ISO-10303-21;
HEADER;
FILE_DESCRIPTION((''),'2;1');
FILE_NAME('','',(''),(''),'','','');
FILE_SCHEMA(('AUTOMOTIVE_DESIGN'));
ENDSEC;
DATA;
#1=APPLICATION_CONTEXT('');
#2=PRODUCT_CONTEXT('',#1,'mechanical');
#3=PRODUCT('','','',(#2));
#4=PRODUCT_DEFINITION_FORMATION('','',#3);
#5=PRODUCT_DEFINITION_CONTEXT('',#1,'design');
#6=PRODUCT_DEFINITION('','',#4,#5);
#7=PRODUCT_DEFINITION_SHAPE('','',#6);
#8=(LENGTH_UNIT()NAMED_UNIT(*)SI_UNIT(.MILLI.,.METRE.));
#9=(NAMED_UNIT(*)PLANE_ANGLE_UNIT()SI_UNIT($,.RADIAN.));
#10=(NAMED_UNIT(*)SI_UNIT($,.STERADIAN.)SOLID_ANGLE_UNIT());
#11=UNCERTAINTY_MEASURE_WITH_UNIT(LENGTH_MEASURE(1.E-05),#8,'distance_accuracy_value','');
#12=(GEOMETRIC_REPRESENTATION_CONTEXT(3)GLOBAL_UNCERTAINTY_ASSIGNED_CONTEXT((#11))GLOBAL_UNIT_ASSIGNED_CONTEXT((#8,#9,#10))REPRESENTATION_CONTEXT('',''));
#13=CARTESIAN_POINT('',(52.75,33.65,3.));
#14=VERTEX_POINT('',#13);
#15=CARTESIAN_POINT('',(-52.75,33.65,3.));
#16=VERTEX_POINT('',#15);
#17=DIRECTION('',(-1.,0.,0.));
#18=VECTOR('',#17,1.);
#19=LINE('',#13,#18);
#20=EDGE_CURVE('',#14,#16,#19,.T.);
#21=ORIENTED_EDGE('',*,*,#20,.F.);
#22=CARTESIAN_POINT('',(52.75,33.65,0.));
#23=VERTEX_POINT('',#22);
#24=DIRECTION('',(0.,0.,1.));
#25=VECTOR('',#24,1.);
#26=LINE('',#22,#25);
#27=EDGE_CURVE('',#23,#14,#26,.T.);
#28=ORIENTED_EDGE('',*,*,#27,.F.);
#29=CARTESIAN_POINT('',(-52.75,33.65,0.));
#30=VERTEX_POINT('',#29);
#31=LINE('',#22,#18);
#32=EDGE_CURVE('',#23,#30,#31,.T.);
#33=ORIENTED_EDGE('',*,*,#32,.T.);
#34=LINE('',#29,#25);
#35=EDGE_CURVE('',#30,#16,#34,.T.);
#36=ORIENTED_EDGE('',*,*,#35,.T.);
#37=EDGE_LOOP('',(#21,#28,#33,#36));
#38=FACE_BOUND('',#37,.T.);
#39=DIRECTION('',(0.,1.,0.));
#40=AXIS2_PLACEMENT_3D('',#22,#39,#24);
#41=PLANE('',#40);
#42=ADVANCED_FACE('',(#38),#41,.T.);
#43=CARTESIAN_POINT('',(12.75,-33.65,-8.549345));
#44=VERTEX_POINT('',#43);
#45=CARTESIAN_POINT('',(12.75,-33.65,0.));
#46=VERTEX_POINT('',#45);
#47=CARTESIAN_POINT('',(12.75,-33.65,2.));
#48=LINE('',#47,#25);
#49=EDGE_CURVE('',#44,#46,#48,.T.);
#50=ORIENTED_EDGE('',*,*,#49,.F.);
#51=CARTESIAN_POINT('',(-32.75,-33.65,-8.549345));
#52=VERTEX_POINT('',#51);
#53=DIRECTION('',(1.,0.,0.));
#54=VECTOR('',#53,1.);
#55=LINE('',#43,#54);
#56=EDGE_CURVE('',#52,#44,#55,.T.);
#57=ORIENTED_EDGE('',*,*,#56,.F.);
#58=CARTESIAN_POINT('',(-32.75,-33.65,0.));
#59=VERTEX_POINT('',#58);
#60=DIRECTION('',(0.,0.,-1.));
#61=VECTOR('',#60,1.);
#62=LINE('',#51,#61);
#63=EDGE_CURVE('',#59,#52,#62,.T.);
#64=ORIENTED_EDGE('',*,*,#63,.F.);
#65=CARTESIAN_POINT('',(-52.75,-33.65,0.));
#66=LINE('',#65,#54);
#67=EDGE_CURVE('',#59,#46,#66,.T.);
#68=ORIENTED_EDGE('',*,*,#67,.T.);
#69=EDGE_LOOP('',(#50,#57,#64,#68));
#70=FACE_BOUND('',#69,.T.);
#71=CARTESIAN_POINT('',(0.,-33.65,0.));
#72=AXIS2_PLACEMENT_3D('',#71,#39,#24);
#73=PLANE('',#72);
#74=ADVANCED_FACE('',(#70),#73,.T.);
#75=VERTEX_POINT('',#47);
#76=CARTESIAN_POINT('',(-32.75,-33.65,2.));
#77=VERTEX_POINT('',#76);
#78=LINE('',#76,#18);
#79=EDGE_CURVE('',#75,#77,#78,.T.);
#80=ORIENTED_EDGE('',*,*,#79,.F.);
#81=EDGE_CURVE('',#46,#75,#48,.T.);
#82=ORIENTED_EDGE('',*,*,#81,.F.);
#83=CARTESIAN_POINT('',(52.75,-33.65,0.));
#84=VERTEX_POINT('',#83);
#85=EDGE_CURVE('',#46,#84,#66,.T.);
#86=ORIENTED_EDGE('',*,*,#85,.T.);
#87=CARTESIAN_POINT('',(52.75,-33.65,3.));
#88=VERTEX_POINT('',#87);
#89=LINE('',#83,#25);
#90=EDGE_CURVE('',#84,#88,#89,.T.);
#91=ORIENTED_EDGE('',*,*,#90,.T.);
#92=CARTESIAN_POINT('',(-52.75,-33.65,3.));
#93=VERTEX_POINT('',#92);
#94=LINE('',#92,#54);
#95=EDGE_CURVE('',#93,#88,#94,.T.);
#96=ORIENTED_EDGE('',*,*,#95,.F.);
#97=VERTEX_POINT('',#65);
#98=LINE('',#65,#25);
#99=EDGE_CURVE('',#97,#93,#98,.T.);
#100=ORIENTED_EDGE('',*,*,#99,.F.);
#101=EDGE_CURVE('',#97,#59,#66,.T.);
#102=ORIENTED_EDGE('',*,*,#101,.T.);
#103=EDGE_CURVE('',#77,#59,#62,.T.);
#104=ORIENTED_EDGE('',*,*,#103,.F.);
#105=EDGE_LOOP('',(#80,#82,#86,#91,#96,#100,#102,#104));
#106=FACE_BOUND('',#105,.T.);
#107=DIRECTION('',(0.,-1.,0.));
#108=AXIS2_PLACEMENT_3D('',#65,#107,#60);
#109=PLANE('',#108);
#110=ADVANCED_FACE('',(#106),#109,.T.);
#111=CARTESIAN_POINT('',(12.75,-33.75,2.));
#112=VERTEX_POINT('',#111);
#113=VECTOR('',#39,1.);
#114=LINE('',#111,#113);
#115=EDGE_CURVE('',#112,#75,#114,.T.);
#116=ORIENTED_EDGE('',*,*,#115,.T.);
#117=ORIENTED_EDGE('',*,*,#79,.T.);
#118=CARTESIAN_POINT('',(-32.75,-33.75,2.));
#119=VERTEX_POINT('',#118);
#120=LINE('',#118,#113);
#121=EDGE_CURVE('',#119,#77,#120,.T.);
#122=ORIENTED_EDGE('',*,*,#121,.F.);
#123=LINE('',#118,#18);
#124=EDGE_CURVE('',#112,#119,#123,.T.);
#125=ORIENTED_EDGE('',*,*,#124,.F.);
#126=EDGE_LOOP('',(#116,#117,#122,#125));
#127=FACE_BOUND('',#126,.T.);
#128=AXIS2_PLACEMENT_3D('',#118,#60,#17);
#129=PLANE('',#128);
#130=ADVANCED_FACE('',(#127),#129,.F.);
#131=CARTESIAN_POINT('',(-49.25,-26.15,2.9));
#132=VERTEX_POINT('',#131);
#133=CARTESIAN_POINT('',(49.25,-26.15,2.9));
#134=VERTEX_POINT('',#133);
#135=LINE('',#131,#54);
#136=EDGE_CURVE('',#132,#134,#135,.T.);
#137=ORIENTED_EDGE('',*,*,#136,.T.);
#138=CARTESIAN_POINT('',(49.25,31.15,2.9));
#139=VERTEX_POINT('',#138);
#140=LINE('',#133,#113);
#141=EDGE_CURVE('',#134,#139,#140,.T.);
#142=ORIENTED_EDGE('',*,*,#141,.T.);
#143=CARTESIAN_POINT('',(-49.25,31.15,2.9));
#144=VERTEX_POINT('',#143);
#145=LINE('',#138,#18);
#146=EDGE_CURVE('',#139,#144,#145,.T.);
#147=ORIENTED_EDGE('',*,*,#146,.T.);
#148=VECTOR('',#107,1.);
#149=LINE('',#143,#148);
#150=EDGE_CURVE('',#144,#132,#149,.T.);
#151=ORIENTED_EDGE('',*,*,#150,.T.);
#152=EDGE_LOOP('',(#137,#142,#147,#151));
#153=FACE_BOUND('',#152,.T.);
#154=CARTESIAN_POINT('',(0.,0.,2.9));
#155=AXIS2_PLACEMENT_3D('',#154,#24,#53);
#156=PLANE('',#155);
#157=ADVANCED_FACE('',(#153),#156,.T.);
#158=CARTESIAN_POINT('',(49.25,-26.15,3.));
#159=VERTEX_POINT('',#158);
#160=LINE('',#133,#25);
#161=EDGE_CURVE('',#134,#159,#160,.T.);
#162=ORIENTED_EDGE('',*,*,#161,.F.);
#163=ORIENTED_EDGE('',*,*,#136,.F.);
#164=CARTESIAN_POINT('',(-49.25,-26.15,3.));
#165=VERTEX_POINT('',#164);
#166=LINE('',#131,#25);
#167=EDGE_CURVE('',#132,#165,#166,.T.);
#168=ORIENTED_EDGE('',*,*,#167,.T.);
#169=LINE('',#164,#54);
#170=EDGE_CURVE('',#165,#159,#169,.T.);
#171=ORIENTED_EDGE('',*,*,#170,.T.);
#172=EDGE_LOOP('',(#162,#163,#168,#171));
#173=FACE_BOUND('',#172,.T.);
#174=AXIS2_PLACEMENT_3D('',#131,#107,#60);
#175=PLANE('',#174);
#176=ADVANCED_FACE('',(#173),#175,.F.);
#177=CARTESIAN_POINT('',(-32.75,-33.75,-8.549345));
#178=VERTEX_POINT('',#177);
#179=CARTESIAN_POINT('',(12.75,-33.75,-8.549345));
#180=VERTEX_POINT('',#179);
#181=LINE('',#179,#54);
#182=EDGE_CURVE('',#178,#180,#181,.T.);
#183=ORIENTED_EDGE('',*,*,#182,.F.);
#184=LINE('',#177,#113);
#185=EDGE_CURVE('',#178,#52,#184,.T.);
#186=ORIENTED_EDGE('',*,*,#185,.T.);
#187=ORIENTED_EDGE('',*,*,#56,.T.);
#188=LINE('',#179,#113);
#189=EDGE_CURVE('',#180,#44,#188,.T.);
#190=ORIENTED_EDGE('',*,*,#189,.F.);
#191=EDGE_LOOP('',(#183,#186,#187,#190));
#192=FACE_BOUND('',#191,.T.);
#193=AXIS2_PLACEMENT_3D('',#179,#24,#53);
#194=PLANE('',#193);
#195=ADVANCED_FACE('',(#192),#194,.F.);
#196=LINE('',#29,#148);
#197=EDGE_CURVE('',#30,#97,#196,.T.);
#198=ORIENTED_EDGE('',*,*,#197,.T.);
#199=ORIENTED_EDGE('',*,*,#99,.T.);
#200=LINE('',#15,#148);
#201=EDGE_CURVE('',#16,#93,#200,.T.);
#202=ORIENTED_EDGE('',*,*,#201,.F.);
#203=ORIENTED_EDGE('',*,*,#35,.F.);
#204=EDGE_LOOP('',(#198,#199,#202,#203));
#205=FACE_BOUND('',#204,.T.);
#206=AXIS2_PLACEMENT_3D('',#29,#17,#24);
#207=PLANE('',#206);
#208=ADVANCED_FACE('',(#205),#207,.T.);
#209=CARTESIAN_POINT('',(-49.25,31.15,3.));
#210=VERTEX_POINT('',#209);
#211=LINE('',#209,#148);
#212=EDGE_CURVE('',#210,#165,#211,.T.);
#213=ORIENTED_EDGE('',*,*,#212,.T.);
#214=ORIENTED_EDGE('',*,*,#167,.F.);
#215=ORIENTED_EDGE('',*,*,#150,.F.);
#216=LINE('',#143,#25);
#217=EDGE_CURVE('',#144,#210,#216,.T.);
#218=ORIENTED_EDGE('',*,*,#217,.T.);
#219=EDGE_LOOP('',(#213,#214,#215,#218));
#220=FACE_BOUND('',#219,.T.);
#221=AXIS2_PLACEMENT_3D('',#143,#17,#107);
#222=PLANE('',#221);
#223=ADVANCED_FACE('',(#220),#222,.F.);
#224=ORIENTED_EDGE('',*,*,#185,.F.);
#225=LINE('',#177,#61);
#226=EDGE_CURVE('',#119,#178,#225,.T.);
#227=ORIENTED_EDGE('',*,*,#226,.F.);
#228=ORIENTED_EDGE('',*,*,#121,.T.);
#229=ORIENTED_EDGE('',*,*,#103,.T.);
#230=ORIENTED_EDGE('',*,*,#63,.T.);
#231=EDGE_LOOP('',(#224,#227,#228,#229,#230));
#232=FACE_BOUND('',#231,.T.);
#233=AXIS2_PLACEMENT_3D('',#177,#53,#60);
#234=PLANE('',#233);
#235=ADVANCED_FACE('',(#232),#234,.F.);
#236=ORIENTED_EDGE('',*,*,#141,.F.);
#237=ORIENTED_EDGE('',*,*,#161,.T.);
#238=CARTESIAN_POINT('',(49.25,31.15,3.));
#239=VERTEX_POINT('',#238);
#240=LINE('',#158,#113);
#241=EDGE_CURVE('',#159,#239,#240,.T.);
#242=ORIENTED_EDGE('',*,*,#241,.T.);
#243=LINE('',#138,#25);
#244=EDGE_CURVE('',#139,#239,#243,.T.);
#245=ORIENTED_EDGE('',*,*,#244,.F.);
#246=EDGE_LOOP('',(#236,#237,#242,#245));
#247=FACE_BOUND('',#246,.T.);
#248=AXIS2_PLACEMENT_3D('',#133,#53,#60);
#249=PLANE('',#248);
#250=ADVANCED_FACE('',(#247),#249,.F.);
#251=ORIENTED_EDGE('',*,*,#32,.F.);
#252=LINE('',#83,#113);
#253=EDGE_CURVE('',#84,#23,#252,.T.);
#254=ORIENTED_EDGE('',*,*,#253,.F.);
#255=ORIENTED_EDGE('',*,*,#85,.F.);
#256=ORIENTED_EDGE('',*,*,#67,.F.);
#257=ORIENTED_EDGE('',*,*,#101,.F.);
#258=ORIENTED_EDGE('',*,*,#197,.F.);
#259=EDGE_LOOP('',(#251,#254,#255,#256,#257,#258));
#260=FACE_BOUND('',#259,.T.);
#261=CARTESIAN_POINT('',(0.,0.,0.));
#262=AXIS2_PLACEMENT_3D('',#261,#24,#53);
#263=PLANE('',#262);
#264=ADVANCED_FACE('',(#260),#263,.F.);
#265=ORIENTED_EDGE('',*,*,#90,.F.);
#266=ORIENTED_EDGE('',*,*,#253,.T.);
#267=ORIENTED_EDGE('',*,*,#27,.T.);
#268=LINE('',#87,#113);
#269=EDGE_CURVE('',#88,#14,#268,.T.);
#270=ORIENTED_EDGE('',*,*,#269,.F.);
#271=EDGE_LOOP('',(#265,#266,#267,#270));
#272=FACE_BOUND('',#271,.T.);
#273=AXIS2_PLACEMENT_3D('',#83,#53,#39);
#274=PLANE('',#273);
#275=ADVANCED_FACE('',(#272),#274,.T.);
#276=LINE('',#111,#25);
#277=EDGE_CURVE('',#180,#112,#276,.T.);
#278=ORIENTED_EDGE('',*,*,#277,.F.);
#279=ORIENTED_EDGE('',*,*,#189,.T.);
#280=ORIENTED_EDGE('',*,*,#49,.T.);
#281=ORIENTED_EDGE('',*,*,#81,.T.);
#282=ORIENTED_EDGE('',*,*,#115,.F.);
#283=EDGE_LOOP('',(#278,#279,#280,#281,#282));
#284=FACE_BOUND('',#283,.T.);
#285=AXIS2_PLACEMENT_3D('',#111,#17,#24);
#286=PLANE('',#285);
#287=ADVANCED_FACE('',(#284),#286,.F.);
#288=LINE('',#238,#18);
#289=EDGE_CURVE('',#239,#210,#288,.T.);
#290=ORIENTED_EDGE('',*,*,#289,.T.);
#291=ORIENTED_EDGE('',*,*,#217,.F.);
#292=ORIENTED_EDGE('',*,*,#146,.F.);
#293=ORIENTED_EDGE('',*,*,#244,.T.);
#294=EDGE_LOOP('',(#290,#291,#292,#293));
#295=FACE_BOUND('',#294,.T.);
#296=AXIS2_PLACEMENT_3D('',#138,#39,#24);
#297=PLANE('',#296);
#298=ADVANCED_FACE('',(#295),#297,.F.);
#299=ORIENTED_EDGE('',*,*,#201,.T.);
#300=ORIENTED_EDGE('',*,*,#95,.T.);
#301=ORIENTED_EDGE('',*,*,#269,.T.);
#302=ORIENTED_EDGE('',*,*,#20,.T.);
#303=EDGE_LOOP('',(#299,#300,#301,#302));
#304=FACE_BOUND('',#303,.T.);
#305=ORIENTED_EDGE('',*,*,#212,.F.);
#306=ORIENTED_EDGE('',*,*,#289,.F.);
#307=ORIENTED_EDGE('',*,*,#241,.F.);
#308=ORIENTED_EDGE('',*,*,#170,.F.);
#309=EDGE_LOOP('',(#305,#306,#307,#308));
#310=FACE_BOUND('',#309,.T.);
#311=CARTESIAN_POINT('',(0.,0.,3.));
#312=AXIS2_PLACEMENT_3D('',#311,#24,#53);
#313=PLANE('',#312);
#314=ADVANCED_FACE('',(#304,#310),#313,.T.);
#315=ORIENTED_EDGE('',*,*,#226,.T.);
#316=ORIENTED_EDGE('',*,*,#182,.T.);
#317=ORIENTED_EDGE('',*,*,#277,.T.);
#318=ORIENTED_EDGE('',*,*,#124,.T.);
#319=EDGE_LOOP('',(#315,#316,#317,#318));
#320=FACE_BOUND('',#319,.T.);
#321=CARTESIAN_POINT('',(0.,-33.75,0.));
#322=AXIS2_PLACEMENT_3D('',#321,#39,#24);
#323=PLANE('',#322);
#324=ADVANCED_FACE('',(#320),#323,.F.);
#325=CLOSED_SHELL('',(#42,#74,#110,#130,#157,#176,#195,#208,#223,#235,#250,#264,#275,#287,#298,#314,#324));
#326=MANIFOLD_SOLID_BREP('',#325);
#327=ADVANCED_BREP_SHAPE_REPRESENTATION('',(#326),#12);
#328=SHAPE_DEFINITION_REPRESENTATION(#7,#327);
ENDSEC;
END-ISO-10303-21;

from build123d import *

# Parameters (mm, degrees)
SKETCH_1_W          = 105.5
SKETCH_1_H          = 67.3
EXTRUDE_1_DEPTH     = 3
SKETCH_2_W          = 45.5
SKETCH_2_H          = 10.549345268
EXTRUDE_2_DEPTH     = 0.1
SKETCH_3_W          = 98.5
SKETCH_3_H          = 57.3
CUT_EXTRUDE_1_DEPTH = 0.1


with BuildPart() as part:
    # 草图1 → 凸台-拉伸1 (new body)
    with BuildSketch(Plane.XY.offset(3)):
        Rectangle(SKETCH_1_W, SKETCH_1_H)
    extrude(amount=-EXTRUDE_1_DEPTH)

    # 草图2 → 凸台-拉伸2 (add)
    with BuildSketch(Plane.XZ.offset(33.65)):
        with Locations((-10, -3.274672634)):
            Rectangle(SKETCH_2_W, SKETCH_2_H)
    extrude(amount=EXTRUDE_2_DEPTH)

    # 草图3 → 切除-拉伸1 (cut)
    with BuildSketch(Plane.XY.offset(3)):
        with Locations((0, 2.5)):
            Rectangle(SKETCH_3_W, SKETCH_3_H)
    extrude(amount=-CUT_EXTRUDE_1_DEPTH, mode=Mode.SUBTRACT)


solid = part.part
